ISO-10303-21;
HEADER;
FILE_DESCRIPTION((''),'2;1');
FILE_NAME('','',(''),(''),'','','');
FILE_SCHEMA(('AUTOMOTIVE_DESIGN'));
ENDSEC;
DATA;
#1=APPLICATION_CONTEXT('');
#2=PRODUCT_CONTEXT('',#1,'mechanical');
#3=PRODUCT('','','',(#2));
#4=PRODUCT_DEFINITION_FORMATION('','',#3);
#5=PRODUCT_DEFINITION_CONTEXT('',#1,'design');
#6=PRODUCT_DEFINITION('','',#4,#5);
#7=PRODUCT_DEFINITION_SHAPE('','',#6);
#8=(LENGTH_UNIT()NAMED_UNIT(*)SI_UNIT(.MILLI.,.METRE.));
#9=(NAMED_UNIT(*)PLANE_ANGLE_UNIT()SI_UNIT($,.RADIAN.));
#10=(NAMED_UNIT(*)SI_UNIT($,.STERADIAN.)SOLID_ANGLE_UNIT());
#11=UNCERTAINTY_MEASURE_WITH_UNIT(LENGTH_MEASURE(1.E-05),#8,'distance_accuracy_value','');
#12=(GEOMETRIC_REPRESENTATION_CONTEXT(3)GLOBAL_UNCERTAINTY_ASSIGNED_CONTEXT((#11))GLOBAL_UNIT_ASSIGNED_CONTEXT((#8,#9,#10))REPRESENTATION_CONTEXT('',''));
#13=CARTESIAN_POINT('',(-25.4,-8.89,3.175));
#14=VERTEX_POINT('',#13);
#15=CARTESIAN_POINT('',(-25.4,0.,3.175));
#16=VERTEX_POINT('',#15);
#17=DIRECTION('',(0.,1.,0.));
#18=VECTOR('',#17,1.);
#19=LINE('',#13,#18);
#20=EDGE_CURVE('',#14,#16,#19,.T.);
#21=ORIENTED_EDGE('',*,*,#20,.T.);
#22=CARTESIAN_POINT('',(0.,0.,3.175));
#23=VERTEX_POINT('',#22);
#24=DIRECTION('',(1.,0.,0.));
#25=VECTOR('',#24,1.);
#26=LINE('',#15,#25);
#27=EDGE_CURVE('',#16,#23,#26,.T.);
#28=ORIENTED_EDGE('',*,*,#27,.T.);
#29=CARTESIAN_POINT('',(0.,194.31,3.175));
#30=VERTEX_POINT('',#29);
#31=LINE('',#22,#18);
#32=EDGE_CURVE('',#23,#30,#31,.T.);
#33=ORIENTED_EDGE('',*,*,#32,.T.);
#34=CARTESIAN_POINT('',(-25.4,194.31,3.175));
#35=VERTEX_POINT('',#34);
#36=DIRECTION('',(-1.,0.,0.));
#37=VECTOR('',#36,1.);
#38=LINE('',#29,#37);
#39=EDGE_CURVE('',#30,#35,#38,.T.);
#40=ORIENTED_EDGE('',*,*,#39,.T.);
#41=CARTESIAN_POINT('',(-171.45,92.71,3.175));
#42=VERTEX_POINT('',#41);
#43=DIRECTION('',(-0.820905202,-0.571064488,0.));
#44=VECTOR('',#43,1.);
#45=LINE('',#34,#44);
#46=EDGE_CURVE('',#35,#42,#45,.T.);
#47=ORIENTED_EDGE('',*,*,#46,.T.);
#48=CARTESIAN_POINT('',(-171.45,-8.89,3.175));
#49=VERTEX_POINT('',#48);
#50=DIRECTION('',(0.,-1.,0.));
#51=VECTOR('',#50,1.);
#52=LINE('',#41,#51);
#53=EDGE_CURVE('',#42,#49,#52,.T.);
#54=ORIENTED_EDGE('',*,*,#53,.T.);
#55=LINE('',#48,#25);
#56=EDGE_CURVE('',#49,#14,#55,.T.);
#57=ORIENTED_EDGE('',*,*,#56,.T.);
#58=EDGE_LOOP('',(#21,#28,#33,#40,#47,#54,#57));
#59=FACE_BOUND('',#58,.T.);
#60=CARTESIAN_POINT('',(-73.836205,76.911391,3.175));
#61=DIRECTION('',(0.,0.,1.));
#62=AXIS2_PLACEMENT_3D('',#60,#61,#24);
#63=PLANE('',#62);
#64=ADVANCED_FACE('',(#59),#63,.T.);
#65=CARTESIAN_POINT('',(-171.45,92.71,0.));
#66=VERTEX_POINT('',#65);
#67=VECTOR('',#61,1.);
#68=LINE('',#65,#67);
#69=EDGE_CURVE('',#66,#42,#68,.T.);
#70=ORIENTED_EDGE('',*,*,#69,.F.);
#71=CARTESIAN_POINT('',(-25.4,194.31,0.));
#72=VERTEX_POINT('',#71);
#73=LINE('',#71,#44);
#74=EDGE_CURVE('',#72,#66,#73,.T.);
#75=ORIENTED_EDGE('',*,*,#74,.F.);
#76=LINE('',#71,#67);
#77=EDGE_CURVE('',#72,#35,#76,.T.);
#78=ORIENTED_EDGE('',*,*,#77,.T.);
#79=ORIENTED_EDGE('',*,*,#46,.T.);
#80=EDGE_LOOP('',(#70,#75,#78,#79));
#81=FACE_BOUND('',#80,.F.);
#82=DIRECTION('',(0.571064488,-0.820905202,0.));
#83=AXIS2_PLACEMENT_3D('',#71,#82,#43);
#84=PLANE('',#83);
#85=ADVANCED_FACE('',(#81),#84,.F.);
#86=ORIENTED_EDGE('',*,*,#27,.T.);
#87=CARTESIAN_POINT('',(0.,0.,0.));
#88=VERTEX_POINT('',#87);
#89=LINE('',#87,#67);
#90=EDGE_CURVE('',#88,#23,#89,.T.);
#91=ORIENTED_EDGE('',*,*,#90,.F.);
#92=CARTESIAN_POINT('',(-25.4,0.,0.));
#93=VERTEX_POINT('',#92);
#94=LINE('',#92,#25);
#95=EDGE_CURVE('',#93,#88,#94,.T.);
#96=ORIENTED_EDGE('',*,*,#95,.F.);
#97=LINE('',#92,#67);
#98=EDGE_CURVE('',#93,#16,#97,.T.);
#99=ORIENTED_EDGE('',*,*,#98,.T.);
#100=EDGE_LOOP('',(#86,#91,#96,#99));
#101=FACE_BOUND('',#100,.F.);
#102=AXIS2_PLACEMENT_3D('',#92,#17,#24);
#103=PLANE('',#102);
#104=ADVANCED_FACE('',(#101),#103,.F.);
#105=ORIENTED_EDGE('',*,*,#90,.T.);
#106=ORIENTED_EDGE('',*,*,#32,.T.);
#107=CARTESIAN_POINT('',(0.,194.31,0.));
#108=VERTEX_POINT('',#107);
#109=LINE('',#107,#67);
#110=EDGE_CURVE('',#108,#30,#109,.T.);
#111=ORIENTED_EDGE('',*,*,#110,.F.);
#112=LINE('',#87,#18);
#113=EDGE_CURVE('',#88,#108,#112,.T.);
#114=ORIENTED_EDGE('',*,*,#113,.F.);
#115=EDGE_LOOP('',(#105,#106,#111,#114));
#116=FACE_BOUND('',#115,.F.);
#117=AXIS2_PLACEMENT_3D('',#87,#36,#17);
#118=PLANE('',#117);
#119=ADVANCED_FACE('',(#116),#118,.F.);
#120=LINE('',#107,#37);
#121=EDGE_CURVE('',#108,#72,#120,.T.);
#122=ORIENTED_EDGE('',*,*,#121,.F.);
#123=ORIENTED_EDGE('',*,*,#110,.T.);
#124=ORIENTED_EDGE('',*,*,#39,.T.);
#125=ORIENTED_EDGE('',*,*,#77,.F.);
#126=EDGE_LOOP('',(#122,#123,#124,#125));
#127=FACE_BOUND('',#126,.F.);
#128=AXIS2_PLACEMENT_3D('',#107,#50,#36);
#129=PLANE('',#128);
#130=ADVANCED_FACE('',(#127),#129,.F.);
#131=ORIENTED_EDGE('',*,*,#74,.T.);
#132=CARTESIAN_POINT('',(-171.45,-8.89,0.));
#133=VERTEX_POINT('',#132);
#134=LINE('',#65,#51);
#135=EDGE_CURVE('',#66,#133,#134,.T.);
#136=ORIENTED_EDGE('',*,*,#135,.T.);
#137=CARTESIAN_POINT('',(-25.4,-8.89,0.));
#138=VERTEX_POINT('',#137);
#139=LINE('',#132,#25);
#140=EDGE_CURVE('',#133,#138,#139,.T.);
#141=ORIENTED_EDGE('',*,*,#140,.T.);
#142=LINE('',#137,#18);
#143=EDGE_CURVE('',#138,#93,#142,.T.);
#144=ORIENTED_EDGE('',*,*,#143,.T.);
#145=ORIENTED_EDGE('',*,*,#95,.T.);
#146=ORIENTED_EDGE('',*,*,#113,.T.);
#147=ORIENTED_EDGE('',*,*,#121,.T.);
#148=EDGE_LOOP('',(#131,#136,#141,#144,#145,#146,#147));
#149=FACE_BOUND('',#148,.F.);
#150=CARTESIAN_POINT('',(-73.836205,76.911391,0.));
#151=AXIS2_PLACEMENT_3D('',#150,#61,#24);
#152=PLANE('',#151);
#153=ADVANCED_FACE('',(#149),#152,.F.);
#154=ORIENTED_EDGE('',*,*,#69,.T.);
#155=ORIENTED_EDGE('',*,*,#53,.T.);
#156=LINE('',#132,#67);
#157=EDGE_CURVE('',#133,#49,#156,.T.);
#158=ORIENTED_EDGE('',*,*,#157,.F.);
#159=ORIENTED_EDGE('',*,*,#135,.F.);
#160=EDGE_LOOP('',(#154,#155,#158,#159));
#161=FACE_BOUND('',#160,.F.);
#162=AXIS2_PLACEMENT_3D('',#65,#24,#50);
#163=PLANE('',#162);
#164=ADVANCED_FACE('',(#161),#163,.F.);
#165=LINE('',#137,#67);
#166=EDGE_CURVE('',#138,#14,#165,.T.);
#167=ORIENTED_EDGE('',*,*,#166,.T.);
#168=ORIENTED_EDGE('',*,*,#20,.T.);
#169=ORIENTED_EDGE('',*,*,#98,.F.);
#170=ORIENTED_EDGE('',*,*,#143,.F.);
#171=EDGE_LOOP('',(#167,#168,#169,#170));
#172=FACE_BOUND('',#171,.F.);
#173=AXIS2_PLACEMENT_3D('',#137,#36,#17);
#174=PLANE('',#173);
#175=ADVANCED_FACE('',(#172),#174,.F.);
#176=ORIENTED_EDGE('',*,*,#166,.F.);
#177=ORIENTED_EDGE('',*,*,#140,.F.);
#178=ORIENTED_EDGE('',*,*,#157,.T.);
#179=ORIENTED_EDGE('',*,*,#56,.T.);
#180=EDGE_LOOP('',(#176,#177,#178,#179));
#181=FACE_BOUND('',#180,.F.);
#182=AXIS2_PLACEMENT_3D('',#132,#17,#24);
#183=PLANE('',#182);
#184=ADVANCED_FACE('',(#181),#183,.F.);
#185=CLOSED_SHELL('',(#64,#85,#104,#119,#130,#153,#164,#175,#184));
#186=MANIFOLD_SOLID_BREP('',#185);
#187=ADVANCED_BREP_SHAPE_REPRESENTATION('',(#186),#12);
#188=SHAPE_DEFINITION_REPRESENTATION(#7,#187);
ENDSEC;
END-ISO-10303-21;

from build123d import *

# Parameters (mm, degrees)
BOSS_EXTRUDE1_DEPTH = 3.175


with BuildPart() as part:
    # Sketch1 → Boss-Extrude1 (new body)
    with BuildSketch(Plane.XY):
        Polygon((0, 0), (0, 194.31), (-25.4, 194.31), (-171.45, 92.71), (-171.45, -8.89), (-25.4, -8.89), (-25.4, 0), align=None)
    extrude(amount=BOSS_EXTRUDE1_DEPTH)


solid = part.part
